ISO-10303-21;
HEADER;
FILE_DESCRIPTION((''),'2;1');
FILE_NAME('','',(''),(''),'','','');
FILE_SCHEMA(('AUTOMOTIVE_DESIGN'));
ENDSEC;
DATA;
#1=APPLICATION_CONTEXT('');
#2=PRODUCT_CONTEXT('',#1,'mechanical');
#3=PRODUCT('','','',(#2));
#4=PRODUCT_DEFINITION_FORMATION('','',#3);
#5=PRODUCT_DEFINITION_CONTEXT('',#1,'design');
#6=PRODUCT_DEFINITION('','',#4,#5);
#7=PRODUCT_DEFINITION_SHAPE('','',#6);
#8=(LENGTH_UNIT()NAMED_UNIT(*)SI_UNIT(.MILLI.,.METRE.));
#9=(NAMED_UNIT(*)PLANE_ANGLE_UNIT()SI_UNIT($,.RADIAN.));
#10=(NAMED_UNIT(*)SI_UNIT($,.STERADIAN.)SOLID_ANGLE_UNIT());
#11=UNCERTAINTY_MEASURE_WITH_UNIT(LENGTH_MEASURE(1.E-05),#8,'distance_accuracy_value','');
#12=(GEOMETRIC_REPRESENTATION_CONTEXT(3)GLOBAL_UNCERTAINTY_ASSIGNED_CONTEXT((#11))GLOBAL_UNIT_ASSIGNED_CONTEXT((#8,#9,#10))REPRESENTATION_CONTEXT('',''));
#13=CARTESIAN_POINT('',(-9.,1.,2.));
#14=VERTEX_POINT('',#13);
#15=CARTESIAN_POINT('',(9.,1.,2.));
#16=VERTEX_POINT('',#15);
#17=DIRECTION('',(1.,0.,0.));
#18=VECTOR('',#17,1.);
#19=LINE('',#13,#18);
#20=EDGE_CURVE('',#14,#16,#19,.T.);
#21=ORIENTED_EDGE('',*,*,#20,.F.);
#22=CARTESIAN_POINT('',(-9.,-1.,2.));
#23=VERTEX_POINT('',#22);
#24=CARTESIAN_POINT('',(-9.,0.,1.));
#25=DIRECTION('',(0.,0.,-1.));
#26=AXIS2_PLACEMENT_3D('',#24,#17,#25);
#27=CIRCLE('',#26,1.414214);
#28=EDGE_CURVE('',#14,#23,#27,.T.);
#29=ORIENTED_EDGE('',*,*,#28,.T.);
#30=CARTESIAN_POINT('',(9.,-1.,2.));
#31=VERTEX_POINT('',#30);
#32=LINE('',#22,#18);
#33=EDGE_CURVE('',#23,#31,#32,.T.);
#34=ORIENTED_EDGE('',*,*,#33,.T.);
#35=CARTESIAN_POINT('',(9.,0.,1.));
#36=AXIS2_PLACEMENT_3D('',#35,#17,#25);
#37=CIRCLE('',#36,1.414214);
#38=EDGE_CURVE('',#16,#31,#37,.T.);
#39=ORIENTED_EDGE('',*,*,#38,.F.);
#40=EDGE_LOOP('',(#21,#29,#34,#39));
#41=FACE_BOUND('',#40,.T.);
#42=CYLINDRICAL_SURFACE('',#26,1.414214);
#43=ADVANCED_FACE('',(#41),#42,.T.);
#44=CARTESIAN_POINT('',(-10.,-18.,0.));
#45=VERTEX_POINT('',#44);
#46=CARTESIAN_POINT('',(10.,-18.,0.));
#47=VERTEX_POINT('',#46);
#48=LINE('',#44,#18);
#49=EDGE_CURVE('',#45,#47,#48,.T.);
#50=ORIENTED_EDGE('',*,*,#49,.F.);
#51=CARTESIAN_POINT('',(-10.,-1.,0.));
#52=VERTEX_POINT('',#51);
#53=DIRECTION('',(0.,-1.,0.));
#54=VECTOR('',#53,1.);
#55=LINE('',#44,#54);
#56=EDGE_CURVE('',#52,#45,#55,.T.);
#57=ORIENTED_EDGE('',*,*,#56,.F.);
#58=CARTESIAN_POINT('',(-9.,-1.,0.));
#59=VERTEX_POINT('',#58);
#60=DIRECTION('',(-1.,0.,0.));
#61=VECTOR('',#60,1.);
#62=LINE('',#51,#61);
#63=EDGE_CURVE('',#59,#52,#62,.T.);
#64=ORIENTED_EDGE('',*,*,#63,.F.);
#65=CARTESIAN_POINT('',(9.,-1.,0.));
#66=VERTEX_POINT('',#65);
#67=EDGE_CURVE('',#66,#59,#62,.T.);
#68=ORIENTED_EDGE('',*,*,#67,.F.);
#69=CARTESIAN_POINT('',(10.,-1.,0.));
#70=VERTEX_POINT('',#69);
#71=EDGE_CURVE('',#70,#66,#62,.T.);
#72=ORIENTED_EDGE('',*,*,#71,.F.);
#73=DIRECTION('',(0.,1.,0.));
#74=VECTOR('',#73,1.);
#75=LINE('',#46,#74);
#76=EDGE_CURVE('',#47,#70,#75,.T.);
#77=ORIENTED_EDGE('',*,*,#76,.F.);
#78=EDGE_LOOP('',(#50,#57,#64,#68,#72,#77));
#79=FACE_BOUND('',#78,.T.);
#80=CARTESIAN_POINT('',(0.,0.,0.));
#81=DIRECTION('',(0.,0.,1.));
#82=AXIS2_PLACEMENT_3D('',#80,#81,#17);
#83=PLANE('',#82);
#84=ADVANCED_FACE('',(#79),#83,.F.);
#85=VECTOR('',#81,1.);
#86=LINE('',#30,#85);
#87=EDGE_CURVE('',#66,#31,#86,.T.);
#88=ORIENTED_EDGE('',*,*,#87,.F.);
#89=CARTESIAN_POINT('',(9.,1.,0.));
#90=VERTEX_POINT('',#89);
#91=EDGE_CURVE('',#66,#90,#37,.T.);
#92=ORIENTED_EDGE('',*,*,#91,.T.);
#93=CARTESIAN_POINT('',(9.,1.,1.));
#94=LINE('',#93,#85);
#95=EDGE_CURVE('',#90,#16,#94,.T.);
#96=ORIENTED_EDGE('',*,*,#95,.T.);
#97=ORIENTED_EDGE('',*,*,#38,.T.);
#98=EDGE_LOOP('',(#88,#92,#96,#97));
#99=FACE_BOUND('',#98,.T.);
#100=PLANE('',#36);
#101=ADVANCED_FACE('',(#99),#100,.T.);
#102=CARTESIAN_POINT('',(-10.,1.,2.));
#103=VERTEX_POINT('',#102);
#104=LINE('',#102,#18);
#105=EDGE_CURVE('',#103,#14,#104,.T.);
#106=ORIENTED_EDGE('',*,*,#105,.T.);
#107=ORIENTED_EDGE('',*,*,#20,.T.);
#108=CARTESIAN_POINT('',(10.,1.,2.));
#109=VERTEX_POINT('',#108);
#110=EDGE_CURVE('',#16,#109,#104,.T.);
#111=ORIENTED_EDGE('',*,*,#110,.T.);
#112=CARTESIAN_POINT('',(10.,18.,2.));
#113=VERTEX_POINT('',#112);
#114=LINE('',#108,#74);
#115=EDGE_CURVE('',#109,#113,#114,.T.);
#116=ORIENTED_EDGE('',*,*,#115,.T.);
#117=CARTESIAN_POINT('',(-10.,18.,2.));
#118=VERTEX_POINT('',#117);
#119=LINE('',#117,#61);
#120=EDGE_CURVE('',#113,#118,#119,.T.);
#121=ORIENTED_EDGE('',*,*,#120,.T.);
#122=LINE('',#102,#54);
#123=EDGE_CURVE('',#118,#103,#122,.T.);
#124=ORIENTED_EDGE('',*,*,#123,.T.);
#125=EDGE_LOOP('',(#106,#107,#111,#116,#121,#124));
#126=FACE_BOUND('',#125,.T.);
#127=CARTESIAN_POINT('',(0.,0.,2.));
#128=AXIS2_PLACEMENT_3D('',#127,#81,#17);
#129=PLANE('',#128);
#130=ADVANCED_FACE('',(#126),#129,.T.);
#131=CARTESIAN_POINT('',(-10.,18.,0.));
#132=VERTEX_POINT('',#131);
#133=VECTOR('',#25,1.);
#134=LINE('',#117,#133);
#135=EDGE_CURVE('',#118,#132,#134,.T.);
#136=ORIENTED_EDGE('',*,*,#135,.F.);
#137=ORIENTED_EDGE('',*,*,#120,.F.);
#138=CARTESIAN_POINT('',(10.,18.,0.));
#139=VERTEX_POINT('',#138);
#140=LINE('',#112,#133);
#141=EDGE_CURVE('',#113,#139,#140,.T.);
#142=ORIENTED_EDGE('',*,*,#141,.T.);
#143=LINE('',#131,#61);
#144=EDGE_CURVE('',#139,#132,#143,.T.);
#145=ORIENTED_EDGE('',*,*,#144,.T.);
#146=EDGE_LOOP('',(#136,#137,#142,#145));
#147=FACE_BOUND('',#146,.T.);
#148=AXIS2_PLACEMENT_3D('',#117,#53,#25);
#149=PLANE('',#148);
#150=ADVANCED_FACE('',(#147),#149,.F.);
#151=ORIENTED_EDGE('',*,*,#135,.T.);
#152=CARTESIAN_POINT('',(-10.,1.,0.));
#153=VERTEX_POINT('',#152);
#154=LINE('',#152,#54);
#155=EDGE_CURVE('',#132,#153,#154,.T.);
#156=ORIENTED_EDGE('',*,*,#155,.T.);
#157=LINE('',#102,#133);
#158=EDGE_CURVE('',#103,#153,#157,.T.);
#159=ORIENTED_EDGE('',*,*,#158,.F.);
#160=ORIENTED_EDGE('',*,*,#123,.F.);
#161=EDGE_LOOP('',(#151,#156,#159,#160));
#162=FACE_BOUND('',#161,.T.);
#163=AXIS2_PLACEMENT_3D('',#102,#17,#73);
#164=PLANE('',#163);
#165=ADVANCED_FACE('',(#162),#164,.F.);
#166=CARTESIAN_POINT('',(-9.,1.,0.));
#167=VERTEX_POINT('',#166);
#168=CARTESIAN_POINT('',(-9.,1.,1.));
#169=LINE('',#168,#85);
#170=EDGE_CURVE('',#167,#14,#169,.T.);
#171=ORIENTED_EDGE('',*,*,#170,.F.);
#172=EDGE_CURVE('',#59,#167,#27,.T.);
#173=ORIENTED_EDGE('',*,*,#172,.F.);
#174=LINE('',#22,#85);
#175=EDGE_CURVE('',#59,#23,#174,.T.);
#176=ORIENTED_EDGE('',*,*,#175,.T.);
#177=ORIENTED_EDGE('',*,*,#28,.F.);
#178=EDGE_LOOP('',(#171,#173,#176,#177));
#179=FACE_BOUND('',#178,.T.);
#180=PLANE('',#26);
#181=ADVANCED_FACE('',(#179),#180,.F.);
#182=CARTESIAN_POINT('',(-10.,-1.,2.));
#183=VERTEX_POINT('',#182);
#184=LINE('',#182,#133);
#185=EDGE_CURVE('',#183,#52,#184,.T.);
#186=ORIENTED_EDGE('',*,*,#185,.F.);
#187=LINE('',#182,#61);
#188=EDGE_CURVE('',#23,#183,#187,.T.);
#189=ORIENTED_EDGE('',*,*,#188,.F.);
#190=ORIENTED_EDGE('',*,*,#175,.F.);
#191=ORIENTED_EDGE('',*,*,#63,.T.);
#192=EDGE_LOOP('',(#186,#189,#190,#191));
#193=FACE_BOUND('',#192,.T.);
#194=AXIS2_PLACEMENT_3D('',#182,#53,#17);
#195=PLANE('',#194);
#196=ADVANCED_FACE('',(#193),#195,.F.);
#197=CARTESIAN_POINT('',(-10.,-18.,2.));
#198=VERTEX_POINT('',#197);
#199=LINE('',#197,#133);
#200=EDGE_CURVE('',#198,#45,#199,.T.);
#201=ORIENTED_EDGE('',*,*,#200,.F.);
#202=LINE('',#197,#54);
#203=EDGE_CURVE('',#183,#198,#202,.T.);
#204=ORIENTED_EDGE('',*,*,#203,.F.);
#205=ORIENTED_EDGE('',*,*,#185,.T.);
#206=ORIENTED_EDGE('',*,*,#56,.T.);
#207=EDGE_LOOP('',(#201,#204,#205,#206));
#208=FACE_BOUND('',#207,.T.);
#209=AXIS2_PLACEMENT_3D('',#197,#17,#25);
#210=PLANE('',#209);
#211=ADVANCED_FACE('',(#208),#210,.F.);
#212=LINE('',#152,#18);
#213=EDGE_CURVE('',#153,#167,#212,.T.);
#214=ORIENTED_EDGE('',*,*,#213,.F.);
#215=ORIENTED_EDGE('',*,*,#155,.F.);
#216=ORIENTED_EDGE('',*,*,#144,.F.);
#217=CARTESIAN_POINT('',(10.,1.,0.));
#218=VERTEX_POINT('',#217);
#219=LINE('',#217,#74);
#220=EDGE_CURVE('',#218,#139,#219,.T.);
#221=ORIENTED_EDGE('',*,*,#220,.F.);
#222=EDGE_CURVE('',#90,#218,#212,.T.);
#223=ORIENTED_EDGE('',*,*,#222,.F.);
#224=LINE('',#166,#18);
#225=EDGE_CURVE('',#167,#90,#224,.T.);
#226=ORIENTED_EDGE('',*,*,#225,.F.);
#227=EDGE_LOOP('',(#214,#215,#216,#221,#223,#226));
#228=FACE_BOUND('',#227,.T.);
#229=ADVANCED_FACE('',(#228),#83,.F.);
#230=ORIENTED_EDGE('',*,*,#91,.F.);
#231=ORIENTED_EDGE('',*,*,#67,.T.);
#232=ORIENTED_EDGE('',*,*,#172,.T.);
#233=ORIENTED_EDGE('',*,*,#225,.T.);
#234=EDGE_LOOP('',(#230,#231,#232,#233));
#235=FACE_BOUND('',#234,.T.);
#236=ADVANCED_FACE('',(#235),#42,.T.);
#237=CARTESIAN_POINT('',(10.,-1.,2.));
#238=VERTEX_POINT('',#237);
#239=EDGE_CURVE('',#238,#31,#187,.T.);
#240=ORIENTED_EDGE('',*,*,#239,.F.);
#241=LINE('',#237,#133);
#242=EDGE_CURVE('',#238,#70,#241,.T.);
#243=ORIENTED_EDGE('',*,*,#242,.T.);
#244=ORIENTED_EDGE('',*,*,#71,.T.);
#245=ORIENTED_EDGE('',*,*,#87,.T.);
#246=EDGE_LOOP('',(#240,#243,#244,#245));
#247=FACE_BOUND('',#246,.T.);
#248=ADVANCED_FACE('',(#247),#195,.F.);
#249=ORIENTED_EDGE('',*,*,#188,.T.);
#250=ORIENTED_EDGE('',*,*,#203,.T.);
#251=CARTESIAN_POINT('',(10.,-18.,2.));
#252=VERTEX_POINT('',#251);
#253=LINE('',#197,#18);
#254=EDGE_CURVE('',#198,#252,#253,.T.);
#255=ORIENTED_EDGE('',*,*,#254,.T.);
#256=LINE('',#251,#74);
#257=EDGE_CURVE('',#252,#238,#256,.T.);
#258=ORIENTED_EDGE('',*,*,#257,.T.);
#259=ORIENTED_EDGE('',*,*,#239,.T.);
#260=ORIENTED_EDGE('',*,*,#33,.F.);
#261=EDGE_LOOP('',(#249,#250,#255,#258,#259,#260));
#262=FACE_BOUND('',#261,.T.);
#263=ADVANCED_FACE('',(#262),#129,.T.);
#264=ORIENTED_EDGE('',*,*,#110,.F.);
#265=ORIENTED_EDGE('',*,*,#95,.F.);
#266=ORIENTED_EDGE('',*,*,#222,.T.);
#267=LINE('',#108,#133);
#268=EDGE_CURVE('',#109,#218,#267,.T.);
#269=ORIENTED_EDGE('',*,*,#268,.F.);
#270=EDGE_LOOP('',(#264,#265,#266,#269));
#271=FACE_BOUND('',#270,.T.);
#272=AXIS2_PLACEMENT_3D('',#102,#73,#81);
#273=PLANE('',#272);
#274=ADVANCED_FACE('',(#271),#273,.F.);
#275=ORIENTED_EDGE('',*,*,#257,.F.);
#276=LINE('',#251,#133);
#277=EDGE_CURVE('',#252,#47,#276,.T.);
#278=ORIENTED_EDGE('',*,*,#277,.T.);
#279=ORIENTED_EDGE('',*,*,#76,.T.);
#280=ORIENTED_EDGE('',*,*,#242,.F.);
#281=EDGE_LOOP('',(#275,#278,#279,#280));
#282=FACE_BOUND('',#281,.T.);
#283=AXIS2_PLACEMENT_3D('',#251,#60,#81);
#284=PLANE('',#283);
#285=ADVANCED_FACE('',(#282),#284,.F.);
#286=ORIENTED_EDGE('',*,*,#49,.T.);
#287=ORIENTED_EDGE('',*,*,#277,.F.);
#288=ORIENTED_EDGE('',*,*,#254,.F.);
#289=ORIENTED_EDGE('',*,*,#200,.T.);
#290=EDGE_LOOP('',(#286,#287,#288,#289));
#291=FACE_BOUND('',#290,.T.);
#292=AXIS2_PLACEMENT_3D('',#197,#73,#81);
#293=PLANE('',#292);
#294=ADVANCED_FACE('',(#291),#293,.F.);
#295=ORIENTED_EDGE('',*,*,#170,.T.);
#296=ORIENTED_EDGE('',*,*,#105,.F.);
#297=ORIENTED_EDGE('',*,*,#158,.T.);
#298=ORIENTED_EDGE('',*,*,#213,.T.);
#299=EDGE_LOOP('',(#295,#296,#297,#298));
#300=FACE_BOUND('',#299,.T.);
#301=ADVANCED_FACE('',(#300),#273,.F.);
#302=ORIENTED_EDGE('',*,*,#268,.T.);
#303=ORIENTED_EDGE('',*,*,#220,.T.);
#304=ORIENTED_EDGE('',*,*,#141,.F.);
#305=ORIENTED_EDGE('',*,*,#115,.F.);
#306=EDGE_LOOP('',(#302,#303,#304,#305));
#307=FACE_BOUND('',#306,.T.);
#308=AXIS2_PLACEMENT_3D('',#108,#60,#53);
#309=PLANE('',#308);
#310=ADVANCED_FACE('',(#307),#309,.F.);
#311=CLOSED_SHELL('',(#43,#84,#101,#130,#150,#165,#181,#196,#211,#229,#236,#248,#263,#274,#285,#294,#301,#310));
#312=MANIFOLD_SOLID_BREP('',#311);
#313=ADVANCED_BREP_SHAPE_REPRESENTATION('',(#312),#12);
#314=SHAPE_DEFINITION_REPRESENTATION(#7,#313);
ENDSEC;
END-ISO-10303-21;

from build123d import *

# Parameters (mm, degrees)
SKETCH1_W                = 17
SKETCH1_H                = 20
BOSS_EXTRUDE1_DEPTH      = 2
BOSS_EXTRUDE1_2_DEPTH    = 2
BOSS_EXTRUDE2_DEPTH      = 9
BOSS_EXTRUDE2_DEPTH_BACK = 9
SKETCH2_R                = 1.414213562


with BuildPart() as part:
    # Sketch1 → Boss-Extrude1 (new body)
    with BuildSketch(Plane(origin=(0, 0, 0), x_dir=(0, 1, 0), z_dir=(0, 0, 1))):
        with Locations((-9.5, 0)):
            Rectangle(SKETCH1_W, SKETCH1_H)
    extrude(amount=BOSS_EXTRUDE1_DEPTH)



with BuildPart() as body_2:
    # Sketch1 → Boss-Extrude1 2 (new body)
    with BuildSketch(Plane(origin=(0, 0, 0), x_dir=(0, 1, 0), z_dir=(0, 0, 1))):
        with Locations((9.5, 0)):
            Rectangle(SKETCH1_W, SKETCH1_H)
    extrude(amount=BOSS_EXTRUDE1_2_DEPTH)


with BuildPart() as part_1:
    add(part.part)

    add(body_2.part)  # Boss-Extrude2 merges body 2
    # Sketch2 → Boss-Extrude2 (add, two sides: drawn at the far end of the back side and taken through both)
    with BuildSketch(Plane.YZ.offset(-BOSS_EXTRUDE2_DEPTH_BACK)):
        with Locations((0, 1)):
            Circle(SKETCH2_R)
    extrude(amount=BOSS_EXTRUDE2_DEPTH + BOSS_EXTRUDE2_DEPTH_BACK)


solid = part_1.part
